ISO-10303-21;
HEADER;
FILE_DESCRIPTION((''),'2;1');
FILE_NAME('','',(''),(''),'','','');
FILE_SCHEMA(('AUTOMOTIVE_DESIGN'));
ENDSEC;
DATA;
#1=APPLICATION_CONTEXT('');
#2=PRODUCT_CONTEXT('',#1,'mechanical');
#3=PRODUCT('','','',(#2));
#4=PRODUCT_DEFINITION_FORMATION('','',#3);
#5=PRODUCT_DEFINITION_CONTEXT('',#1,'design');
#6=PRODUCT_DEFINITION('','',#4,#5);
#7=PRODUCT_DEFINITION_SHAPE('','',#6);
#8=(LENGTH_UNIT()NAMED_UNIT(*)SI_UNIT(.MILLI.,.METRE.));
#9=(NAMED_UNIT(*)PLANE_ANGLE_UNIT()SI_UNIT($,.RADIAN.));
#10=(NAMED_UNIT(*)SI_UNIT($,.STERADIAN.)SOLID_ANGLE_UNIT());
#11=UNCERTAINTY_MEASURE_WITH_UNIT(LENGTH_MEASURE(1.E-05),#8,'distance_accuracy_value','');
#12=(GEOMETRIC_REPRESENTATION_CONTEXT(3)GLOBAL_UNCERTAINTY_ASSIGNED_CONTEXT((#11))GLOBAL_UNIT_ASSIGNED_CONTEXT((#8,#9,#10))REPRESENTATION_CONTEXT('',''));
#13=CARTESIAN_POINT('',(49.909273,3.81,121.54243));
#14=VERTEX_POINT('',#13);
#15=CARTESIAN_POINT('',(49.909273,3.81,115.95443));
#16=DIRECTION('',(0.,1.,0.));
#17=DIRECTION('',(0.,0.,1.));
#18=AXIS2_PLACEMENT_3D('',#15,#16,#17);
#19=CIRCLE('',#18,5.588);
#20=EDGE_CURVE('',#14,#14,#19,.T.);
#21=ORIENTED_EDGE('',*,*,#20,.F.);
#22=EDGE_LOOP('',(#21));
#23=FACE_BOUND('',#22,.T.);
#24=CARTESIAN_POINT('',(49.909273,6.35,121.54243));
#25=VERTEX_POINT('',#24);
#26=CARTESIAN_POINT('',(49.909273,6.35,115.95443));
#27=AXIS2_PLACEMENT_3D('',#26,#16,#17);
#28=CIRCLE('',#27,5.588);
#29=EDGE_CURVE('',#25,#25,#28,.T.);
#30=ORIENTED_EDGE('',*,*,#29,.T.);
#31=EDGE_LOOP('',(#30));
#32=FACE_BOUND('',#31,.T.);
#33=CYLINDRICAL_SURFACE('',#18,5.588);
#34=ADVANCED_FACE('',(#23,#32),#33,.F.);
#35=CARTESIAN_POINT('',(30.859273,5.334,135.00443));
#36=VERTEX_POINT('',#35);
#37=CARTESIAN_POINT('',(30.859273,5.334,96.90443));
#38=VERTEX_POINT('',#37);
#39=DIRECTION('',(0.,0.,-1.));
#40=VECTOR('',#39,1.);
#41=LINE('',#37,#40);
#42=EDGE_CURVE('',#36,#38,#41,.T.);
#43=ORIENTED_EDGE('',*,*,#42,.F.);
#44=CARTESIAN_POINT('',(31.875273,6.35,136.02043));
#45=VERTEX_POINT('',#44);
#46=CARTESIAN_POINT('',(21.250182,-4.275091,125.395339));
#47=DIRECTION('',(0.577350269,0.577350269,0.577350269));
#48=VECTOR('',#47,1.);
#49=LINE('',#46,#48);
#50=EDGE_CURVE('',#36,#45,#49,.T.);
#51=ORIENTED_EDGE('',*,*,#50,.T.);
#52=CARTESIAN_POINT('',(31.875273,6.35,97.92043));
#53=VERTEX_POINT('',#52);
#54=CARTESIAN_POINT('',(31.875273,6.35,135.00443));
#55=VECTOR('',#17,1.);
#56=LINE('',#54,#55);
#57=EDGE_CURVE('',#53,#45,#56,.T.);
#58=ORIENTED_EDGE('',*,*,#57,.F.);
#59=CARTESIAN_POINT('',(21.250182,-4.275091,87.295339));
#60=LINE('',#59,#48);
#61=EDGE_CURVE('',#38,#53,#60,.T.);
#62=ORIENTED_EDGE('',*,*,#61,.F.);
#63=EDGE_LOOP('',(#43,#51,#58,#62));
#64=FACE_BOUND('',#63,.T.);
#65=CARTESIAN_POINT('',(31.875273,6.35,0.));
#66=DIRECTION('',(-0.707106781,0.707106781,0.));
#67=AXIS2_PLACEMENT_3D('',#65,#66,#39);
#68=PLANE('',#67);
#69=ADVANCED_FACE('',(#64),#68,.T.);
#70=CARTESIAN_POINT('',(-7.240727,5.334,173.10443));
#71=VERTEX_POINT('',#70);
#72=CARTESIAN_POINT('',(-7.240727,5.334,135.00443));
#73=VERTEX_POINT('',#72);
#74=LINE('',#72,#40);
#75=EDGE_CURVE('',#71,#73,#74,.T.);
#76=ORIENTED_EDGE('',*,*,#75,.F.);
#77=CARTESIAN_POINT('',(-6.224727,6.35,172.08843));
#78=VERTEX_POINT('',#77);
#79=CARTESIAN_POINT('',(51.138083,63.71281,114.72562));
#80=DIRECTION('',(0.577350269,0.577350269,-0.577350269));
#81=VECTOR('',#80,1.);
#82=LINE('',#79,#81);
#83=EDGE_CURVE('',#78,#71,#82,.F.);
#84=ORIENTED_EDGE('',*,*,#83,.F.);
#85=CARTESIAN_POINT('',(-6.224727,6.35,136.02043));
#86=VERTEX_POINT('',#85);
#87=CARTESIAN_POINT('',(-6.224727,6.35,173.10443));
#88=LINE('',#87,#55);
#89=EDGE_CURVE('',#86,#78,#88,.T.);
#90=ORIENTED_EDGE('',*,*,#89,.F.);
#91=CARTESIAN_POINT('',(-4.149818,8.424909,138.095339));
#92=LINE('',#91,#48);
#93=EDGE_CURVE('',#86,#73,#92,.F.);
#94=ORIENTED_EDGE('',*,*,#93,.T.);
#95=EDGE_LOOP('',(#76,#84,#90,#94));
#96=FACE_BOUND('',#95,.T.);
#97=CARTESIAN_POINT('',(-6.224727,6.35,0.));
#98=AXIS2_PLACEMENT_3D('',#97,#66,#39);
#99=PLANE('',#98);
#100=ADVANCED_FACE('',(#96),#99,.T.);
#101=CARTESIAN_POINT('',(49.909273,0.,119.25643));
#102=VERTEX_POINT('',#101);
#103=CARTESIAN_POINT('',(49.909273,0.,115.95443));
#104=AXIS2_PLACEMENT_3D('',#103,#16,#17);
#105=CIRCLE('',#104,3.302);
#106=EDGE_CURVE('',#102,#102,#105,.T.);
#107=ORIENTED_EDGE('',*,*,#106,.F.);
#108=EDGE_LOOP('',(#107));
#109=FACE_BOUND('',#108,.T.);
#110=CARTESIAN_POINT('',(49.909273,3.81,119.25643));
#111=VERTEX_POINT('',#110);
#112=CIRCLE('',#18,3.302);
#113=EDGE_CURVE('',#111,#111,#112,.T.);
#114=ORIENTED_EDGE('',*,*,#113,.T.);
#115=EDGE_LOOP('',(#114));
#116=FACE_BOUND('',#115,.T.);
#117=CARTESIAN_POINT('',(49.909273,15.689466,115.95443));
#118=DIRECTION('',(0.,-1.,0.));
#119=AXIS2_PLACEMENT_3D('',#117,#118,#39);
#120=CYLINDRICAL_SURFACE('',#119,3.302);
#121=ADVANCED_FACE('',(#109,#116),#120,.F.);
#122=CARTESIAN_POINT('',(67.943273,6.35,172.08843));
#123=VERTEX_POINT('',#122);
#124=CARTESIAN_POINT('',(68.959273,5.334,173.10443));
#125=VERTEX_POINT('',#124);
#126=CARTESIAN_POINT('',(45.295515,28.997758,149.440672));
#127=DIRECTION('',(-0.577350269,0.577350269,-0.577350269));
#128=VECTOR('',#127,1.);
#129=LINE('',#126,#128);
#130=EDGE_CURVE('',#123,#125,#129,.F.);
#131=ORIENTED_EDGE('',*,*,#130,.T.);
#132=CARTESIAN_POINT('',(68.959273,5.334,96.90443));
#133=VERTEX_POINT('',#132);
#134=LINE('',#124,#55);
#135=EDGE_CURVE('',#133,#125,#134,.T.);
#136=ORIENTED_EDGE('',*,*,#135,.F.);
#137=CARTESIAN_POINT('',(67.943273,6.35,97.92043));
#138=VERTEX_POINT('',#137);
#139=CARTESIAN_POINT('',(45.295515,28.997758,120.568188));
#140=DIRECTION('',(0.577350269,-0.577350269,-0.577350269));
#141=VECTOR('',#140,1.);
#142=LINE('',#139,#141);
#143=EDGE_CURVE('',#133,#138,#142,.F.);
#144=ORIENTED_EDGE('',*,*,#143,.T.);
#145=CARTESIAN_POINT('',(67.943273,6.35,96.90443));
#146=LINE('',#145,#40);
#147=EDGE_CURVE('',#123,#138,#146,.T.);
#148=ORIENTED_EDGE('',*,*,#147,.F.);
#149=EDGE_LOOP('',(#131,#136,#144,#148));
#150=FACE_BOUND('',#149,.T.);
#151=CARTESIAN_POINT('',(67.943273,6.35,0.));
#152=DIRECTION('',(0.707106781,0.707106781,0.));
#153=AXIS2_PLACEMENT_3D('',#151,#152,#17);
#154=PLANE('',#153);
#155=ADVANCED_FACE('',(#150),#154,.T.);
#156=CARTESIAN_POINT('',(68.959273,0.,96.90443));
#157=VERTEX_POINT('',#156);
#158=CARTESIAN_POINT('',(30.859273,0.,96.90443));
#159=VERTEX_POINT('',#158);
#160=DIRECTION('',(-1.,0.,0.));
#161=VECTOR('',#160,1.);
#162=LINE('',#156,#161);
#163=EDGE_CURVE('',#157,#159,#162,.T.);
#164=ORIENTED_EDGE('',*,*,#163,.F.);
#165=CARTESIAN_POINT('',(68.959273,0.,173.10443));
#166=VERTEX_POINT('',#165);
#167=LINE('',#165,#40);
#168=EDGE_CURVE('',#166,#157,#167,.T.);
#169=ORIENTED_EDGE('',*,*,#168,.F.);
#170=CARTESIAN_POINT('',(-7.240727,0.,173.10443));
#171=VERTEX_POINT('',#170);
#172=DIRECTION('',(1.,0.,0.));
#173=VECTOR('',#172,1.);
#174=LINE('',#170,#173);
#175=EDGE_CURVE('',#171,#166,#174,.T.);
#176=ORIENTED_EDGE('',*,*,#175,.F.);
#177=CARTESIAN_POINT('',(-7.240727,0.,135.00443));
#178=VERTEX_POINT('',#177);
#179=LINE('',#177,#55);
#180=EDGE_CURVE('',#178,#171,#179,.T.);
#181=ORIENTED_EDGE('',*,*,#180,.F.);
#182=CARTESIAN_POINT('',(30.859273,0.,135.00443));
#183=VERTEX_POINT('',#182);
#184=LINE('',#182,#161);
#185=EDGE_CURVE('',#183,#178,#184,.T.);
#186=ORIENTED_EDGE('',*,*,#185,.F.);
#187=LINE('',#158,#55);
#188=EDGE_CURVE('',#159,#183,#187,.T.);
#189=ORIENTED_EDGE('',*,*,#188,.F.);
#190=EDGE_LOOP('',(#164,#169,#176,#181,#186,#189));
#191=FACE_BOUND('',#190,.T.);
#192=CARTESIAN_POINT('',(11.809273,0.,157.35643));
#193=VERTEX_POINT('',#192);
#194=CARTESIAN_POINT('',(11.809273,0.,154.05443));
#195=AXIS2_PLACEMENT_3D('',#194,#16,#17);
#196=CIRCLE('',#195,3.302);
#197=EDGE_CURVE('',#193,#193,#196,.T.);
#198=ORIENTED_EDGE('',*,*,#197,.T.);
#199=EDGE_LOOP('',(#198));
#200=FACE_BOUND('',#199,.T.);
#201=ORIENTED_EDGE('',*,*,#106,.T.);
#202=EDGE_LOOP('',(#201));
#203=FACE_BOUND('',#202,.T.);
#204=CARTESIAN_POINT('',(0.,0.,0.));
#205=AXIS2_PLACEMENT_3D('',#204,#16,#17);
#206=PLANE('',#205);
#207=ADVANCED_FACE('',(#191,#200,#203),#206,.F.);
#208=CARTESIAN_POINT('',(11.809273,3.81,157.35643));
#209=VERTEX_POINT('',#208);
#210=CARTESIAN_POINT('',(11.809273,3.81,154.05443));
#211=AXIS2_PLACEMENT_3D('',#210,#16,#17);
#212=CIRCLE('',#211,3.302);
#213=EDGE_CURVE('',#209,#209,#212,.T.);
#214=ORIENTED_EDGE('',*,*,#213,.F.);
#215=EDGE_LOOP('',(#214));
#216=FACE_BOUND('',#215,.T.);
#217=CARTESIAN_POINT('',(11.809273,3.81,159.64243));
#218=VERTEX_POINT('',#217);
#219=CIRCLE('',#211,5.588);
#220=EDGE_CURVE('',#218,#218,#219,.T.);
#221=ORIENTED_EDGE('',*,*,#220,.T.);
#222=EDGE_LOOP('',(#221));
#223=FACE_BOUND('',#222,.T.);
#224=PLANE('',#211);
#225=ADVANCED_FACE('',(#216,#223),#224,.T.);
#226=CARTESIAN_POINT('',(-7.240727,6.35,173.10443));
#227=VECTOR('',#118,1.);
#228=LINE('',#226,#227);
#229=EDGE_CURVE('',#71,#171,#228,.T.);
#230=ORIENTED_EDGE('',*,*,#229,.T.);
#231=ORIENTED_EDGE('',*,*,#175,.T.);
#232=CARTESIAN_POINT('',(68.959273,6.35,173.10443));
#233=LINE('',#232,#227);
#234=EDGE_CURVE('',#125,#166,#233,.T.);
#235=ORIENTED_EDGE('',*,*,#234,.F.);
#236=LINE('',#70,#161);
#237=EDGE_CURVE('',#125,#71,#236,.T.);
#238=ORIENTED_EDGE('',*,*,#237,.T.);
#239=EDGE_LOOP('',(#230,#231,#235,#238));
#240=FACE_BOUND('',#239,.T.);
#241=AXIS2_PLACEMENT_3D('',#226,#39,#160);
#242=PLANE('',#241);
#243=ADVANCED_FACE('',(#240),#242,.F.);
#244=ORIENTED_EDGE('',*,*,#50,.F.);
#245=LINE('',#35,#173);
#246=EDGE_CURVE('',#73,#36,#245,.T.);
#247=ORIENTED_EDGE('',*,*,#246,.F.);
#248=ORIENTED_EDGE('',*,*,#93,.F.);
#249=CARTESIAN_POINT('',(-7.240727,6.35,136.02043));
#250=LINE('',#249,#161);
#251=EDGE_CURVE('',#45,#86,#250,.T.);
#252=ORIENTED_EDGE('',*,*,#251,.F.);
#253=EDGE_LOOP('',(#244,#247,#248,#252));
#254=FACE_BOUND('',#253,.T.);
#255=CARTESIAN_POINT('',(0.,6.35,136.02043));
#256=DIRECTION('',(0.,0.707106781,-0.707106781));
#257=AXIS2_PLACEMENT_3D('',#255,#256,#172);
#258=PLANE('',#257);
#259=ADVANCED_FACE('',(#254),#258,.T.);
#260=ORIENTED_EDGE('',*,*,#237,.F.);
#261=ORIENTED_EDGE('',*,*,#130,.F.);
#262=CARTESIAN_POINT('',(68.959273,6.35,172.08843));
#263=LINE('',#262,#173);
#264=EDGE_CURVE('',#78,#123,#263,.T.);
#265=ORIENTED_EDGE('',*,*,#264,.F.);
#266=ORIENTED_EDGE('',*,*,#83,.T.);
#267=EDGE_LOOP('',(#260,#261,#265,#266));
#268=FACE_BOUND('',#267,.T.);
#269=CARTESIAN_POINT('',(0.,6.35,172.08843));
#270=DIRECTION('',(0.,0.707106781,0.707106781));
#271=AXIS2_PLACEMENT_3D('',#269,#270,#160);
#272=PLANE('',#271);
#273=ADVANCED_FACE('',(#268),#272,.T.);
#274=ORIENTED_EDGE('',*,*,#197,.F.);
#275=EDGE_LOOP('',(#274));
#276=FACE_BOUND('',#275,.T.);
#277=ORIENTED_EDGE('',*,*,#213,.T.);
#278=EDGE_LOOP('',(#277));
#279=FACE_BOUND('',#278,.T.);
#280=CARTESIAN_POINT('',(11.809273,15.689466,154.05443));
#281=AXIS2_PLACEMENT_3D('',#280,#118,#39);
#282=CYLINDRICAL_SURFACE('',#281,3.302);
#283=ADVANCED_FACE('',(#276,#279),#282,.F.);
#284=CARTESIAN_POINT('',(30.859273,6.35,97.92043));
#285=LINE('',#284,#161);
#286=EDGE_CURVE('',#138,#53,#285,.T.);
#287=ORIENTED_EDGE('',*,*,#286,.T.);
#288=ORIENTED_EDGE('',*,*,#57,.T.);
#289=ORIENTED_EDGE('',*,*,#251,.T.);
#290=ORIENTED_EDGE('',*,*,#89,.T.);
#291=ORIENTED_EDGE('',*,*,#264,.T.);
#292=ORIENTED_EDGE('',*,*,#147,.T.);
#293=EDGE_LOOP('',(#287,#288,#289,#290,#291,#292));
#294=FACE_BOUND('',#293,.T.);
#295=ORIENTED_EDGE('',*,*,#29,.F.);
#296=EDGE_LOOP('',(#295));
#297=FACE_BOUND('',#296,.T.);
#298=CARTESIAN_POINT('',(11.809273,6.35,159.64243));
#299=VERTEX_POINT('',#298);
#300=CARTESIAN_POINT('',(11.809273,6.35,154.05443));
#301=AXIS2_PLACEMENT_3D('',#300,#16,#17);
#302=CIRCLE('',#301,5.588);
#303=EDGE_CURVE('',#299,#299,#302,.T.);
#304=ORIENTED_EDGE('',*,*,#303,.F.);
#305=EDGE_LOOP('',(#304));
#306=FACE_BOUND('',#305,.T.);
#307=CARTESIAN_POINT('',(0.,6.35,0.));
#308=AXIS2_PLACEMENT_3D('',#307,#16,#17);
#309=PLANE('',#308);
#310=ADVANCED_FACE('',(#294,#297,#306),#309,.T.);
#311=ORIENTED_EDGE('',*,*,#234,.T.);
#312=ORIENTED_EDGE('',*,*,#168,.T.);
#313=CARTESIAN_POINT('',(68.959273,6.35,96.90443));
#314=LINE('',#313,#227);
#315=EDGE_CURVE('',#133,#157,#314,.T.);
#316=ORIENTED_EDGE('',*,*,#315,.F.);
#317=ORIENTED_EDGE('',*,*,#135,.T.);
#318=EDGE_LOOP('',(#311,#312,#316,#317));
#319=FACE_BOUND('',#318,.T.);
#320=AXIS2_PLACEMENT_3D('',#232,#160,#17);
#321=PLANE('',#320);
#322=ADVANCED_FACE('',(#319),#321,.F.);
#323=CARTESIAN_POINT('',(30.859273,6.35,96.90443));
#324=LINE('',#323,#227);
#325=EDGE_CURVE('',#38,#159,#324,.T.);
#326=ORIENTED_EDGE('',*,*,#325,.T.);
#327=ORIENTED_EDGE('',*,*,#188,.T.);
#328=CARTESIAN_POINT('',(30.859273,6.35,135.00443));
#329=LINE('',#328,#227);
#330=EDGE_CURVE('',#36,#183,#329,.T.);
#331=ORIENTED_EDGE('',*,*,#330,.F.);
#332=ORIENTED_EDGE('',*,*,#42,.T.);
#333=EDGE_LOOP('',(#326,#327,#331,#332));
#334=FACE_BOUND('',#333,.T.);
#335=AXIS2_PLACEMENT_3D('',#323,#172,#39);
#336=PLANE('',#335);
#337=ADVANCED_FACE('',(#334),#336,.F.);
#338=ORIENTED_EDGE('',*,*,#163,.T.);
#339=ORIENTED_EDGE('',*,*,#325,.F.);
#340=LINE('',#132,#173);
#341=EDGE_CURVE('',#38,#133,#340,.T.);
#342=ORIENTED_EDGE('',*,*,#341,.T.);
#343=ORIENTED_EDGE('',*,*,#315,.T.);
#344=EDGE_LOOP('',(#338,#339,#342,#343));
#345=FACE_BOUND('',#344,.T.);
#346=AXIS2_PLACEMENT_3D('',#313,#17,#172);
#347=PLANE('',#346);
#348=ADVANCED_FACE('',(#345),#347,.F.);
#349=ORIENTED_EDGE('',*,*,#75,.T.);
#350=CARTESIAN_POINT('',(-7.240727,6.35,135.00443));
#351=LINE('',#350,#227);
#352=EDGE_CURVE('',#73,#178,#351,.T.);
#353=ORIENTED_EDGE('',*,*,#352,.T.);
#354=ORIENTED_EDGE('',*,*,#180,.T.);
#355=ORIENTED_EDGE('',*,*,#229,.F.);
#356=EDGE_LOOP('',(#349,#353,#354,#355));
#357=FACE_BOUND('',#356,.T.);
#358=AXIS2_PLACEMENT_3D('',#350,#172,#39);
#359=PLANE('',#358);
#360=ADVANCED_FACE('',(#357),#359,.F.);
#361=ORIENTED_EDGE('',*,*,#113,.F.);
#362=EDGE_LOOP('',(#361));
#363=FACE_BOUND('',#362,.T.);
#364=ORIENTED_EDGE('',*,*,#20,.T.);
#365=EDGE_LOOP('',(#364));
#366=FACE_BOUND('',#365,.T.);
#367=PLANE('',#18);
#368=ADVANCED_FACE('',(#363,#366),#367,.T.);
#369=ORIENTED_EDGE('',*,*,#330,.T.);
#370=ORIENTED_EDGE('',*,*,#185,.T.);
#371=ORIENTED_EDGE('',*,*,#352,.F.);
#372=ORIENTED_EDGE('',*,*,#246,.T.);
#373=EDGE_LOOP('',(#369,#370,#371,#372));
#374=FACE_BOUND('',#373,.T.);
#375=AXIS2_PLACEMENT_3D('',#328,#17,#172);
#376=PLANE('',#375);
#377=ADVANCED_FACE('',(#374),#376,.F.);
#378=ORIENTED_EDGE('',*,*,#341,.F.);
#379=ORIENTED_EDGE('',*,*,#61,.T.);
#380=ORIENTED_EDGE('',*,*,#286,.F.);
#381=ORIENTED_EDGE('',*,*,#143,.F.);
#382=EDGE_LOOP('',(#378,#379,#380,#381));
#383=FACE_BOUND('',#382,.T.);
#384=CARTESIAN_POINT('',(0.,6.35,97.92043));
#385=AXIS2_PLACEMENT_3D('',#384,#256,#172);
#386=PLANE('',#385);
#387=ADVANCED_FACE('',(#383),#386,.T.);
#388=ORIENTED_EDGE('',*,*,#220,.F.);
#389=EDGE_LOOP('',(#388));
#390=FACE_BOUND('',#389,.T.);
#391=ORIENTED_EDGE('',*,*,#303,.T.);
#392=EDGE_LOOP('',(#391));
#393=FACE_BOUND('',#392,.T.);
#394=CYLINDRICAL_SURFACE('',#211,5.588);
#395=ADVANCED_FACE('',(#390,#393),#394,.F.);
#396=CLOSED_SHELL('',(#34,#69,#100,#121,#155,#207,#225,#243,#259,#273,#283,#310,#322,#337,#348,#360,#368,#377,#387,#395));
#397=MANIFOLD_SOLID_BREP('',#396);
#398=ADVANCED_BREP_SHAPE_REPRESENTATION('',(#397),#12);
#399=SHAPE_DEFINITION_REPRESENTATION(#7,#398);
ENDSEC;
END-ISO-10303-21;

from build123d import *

# Parameters (mm, degrees)
BOSS_EXTRUDE1_DEPTH = 6.35
SKETCH3_R           = 3.302
CUT_EXTRUDE2_DEPTH  = 6.35
SKETCH4_R           = 5.588
CUT_EXTRUDE3_DEPTH  = 2.54
CHAMFER1_SIZE       = 1.016


with BuildPart() as part:
    # Sketch1 → Boss-Extrude1 (new body)
    with BuildSketch(Plane(origin=(0, 0, 0), x_dir=(1, 0, 0), z_dir=(0, 1, 0))):
        Polygon((-7.240727314, -173.10442994), (68.959272686, -173.10442994), (68.959272686, -96.90442994), (30.859272686, -96.90442994), (30.859272686, -135.00442994), (-7.240727314, -135.00442994), align=None)
    extrude(amount=BOSS_EXTRUDE1_DEPTH)

    # Sketch3 → Cut-Extrude2 (cut)
    with BuildSketch(Plane(origin=(0, 0, 0), x_dir=(1, 0, 0), z_dir=(0, 1, 0))):
        with Locations((11.809272686, -154.05442994)):
            Circle(SKETCH3_R)
        with Locations((49.909272686, -115.95442994)):
            Circle(SKETCH3_R)
    extrude(amount=CUT_EXTRUDE2_DEPTH, mode=Mode.SUBTRACT)

    # Sketch4 → Cut-Extrude3 (cut)
    with BuildSketch(Plane(origin=(0, 6.35, 0), x_dir=(1, 0, 0), z_dir=(0, 1, 0))):
        with Locations((11.809272686, -154.05442994)):
            Circle(SKETCH4_R)
        with Locations((49.909272686, -115.95442994)):
            Circle(SKETCH4_R)
    extrude(amount=-CUT_EXTRUDE3_DEPTH, mode=Mode.SUBTRACT)

    # Chamfer1
    chamfer1_edges = [part.edges().sort_by_distance(p)[0] for p in [
        (11.809272686, 6.35, 135.00442994),
        (-7.240727314, 6.35, 154.05442994),
        (30.859272686, 6.35, 173.10442994),
        (68.959272686, 6.35, 135.00442994),
        (49.909272686, 6.35, 96.90442994),
        (30.859272686, 6.35, 115.95442994),
    ]]
    chamfer(chamfer1_edges, length=CHAMFER1_SIZE)


solid = part.part
